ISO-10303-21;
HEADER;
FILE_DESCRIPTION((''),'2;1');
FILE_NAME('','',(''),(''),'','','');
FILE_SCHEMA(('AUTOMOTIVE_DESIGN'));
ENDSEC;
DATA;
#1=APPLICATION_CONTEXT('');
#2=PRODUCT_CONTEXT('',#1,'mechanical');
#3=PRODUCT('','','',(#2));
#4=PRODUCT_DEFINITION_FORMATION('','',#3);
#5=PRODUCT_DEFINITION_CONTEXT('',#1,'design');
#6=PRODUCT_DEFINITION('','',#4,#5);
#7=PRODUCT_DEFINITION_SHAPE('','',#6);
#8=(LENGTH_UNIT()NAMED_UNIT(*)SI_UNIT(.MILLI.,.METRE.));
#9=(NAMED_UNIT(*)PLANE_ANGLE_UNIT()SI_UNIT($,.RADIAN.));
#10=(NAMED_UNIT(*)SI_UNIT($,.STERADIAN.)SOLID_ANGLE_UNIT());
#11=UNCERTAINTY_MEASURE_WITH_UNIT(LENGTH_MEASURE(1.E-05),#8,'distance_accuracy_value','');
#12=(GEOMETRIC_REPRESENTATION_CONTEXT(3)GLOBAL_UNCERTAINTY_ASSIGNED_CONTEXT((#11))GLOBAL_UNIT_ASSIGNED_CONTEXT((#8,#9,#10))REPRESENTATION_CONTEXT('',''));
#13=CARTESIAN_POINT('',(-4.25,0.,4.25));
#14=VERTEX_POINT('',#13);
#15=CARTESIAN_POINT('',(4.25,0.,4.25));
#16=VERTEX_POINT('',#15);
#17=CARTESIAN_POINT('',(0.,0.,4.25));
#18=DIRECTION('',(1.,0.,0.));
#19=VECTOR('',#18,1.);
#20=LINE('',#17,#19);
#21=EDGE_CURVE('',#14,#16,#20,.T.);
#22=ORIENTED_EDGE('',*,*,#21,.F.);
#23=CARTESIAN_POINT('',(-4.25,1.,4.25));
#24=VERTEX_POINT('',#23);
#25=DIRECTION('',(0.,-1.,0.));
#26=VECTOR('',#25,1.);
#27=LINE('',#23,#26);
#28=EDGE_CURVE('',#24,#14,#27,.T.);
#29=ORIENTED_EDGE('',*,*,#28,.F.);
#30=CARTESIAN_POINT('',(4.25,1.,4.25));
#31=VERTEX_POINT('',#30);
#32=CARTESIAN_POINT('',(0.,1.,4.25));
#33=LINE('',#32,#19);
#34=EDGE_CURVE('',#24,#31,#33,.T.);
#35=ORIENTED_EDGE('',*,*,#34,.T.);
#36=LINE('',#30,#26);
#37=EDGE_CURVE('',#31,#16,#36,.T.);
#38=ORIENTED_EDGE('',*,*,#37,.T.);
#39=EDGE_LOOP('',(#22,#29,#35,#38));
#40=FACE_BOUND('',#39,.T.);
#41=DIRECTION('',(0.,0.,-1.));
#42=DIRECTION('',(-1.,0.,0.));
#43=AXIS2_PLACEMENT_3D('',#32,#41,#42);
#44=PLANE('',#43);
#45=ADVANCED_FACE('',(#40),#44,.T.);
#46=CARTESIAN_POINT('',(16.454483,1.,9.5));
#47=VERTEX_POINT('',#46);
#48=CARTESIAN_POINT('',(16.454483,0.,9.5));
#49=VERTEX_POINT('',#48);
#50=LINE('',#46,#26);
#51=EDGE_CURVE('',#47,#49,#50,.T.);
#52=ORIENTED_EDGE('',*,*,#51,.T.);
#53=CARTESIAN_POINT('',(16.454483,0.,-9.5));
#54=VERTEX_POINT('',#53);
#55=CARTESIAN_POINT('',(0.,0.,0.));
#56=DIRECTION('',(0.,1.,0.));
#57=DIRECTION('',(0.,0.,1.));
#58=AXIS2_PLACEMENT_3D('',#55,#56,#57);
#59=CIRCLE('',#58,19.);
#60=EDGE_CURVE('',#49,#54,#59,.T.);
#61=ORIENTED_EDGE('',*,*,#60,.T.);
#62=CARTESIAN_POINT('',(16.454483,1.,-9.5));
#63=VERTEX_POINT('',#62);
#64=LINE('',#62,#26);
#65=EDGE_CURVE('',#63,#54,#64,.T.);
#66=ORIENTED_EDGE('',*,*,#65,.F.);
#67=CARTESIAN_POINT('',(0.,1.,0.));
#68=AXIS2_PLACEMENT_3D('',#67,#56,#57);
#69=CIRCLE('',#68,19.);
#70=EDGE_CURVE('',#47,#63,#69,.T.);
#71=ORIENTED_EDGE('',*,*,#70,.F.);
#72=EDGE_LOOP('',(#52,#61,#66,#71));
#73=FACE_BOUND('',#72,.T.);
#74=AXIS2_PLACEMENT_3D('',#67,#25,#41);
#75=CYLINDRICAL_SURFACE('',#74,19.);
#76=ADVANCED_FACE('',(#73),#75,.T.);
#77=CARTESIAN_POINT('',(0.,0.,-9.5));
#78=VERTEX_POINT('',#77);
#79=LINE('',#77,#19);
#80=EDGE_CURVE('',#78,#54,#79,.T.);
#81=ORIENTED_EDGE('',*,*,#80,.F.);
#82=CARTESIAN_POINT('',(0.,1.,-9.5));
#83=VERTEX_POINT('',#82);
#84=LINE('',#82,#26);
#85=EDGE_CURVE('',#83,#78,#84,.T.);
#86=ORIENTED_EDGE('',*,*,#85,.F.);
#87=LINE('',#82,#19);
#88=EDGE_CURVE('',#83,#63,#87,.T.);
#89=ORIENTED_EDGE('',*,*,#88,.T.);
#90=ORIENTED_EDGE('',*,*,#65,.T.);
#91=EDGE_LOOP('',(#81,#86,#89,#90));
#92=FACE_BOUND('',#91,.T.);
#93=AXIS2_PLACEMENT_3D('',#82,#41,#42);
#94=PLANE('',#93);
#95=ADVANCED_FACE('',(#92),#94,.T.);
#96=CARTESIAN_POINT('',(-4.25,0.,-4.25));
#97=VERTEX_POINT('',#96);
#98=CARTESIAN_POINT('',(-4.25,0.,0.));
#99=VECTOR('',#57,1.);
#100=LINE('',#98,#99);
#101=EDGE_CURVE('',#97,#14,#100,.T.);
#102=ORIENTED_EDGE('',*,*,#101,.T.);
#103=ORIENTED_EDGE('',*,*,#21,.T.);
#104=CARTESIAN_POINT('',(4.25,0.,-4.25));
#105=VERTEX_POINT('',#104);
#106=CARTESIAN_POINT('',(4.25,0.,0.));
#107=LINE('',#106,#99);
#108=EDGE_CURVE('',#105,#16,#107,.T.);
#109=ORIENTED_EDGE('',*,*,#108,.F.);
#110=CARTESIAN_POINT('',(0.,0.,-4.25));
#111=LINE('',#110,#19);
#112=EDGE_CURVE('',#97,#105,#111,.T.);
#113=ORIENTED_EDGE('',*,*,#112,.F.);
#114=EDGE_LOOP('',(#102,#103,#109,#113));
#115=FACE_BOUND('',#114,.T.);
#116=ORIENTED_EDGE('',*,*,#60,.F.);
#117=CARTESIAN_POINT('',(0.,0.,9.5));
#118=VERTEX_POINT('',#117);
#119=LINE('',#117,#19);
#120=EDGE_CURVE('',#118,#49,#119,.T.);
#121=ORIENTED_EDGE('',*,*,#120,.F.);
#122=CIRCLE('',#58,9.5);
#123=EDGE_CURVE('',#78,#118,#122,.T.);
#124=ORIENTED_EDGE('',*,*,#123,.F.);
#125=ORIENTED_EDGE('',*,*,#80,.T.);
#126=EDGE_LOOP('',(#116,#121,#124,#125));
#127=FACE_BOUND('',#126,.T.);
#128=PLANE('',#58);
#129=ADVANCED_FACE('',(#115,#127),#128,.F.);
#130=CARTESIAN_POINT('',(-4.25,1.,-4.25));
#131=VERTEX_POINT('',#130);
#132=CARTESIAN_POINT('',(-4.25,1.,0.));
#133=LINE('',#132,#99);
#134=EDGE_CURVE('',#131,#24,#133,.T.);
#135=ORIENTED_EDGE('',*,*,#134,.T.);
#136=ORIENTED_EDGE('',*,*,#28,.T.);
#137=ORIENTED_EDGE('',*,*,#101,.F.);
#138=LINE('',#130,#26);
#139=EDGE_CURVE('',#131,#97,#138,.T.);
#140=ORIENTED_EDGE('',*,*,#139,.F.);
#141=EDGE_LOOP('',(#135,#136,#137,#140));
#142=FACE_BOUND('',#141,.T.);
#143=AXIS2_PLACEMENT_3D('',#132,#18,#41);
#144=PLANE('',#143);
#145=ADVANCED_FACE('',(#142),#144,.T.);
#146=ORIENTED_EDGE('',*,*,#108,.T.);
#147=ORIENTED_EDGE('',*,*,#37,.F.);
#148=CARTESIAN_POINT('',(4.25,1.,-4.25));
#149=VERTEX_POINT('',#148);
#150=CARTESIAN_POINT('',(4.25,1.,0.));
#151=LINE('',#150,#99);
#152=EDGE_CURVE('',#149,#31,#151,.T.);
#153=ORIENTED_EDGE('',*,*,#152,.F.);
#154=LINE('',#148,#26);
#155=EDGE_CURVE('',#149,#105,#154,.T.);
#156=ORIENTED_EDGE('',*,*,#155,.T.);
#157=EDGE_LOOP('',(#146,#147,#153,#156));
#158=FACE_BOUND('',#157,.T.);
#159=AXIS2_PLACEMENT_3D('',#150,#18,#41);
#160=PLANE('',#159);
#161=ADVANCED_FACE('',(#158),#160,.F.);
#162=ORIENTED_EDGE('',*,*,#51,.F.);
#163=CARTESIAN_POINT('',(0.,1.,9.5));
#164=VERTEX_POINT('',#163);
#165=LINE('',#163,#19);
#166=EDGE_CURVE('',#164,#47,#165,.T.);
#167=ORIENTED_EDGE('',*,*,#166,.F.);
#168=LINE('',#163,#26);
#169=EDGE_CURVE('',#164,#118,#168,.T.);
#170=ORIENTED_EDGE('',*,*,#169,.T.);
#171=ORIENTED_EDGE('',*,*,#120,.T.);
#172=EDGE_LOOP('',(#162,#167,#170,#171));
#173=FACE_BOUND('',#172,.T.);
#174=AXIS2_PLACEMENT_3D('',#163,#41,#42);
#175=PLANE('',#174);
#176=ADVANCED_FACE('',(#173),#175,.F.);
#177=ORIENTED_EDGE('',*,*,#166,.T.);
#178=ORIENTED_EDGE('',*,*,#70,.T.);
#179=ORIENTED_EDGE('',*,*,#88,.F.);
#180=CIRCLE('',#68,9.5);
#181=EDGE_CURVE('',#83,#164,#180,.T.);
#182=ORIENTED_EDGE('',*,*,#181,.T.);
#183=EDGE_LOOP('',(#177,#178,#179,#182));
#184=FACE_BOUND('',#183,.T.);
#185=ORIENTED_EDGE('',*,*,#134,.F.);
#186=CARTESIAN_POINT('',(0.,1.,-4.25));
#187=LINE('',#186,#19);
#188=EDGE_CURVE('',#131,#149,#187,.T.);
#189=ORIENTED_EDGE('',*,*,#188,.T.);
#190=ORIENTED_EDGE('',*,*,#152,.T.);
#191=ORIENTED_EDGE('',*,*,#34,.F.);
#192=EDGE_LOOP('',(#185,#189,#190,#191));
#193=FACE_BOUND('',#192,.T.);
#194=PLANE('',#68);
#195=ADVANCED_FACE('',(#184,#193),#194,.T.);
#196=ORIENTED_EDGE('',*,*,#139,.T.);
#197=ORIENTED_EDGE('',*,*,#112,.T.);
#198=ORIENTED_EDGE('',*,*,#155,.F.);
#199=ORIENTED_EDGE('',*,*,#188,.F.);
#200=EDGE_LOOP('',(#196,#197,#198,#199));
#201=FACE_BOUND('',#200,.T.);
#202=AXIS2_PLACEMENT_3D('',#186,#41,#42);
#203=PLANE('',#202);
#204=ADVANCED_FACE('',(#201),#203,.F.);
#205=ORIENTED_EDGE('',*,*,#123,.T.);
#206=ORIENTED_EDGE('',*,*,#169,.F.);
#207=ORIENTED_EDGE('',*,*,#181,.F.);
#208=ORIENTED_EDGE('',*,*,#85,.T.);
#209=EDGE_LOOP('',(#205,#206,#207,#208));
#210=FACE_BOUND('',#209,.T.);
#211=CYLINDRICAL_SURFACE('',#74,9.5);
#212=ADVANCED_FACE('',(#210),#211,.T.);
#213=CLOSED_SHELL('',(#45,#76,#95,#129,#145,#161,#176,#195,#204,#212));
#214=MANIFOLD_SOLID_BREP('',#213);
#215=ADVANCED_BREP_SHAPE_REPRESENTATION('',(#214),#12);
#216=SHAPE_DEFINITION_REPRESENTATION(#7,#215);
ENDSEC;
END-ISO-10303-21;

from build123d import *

# Parameters (mm, degrees)
SKIZZE1_W                       = 8.5
SKIZZE1_H                       = 8.5
AUFSATZ_LINEAR_AUSTRAGEN1_DEPTH = 1


with BuildPart() as part:
    # Skizze1 → Aufsatz-Linear austragen1 (new body)
    with BuildSketch(Plane(origin=(0, 0, 0), x_dir=(1, 0, 0), z_dir=(0, 1, 0))):
        with BuildLine():
            Line((0, -9.5), (16.454482672, -9.5))
            ThreePointArc((16.454482672, -9.5), (19, 0), (16.454482672, 9.5))
            Line((16.454482672, 9.5), (0, 9.5))
            ThreePointArc((0, 9.5), (-9.5, 0), (0, -9.5))
        make_face()
        Rectangle(SKIZZE1_W, SKIZZE1_H, mode=Mode.SUBTRACT)
    extrude(amount=AUFSATZ_LINEAR_AUSTRAGEN1_DEPTH)


solid = part.part
